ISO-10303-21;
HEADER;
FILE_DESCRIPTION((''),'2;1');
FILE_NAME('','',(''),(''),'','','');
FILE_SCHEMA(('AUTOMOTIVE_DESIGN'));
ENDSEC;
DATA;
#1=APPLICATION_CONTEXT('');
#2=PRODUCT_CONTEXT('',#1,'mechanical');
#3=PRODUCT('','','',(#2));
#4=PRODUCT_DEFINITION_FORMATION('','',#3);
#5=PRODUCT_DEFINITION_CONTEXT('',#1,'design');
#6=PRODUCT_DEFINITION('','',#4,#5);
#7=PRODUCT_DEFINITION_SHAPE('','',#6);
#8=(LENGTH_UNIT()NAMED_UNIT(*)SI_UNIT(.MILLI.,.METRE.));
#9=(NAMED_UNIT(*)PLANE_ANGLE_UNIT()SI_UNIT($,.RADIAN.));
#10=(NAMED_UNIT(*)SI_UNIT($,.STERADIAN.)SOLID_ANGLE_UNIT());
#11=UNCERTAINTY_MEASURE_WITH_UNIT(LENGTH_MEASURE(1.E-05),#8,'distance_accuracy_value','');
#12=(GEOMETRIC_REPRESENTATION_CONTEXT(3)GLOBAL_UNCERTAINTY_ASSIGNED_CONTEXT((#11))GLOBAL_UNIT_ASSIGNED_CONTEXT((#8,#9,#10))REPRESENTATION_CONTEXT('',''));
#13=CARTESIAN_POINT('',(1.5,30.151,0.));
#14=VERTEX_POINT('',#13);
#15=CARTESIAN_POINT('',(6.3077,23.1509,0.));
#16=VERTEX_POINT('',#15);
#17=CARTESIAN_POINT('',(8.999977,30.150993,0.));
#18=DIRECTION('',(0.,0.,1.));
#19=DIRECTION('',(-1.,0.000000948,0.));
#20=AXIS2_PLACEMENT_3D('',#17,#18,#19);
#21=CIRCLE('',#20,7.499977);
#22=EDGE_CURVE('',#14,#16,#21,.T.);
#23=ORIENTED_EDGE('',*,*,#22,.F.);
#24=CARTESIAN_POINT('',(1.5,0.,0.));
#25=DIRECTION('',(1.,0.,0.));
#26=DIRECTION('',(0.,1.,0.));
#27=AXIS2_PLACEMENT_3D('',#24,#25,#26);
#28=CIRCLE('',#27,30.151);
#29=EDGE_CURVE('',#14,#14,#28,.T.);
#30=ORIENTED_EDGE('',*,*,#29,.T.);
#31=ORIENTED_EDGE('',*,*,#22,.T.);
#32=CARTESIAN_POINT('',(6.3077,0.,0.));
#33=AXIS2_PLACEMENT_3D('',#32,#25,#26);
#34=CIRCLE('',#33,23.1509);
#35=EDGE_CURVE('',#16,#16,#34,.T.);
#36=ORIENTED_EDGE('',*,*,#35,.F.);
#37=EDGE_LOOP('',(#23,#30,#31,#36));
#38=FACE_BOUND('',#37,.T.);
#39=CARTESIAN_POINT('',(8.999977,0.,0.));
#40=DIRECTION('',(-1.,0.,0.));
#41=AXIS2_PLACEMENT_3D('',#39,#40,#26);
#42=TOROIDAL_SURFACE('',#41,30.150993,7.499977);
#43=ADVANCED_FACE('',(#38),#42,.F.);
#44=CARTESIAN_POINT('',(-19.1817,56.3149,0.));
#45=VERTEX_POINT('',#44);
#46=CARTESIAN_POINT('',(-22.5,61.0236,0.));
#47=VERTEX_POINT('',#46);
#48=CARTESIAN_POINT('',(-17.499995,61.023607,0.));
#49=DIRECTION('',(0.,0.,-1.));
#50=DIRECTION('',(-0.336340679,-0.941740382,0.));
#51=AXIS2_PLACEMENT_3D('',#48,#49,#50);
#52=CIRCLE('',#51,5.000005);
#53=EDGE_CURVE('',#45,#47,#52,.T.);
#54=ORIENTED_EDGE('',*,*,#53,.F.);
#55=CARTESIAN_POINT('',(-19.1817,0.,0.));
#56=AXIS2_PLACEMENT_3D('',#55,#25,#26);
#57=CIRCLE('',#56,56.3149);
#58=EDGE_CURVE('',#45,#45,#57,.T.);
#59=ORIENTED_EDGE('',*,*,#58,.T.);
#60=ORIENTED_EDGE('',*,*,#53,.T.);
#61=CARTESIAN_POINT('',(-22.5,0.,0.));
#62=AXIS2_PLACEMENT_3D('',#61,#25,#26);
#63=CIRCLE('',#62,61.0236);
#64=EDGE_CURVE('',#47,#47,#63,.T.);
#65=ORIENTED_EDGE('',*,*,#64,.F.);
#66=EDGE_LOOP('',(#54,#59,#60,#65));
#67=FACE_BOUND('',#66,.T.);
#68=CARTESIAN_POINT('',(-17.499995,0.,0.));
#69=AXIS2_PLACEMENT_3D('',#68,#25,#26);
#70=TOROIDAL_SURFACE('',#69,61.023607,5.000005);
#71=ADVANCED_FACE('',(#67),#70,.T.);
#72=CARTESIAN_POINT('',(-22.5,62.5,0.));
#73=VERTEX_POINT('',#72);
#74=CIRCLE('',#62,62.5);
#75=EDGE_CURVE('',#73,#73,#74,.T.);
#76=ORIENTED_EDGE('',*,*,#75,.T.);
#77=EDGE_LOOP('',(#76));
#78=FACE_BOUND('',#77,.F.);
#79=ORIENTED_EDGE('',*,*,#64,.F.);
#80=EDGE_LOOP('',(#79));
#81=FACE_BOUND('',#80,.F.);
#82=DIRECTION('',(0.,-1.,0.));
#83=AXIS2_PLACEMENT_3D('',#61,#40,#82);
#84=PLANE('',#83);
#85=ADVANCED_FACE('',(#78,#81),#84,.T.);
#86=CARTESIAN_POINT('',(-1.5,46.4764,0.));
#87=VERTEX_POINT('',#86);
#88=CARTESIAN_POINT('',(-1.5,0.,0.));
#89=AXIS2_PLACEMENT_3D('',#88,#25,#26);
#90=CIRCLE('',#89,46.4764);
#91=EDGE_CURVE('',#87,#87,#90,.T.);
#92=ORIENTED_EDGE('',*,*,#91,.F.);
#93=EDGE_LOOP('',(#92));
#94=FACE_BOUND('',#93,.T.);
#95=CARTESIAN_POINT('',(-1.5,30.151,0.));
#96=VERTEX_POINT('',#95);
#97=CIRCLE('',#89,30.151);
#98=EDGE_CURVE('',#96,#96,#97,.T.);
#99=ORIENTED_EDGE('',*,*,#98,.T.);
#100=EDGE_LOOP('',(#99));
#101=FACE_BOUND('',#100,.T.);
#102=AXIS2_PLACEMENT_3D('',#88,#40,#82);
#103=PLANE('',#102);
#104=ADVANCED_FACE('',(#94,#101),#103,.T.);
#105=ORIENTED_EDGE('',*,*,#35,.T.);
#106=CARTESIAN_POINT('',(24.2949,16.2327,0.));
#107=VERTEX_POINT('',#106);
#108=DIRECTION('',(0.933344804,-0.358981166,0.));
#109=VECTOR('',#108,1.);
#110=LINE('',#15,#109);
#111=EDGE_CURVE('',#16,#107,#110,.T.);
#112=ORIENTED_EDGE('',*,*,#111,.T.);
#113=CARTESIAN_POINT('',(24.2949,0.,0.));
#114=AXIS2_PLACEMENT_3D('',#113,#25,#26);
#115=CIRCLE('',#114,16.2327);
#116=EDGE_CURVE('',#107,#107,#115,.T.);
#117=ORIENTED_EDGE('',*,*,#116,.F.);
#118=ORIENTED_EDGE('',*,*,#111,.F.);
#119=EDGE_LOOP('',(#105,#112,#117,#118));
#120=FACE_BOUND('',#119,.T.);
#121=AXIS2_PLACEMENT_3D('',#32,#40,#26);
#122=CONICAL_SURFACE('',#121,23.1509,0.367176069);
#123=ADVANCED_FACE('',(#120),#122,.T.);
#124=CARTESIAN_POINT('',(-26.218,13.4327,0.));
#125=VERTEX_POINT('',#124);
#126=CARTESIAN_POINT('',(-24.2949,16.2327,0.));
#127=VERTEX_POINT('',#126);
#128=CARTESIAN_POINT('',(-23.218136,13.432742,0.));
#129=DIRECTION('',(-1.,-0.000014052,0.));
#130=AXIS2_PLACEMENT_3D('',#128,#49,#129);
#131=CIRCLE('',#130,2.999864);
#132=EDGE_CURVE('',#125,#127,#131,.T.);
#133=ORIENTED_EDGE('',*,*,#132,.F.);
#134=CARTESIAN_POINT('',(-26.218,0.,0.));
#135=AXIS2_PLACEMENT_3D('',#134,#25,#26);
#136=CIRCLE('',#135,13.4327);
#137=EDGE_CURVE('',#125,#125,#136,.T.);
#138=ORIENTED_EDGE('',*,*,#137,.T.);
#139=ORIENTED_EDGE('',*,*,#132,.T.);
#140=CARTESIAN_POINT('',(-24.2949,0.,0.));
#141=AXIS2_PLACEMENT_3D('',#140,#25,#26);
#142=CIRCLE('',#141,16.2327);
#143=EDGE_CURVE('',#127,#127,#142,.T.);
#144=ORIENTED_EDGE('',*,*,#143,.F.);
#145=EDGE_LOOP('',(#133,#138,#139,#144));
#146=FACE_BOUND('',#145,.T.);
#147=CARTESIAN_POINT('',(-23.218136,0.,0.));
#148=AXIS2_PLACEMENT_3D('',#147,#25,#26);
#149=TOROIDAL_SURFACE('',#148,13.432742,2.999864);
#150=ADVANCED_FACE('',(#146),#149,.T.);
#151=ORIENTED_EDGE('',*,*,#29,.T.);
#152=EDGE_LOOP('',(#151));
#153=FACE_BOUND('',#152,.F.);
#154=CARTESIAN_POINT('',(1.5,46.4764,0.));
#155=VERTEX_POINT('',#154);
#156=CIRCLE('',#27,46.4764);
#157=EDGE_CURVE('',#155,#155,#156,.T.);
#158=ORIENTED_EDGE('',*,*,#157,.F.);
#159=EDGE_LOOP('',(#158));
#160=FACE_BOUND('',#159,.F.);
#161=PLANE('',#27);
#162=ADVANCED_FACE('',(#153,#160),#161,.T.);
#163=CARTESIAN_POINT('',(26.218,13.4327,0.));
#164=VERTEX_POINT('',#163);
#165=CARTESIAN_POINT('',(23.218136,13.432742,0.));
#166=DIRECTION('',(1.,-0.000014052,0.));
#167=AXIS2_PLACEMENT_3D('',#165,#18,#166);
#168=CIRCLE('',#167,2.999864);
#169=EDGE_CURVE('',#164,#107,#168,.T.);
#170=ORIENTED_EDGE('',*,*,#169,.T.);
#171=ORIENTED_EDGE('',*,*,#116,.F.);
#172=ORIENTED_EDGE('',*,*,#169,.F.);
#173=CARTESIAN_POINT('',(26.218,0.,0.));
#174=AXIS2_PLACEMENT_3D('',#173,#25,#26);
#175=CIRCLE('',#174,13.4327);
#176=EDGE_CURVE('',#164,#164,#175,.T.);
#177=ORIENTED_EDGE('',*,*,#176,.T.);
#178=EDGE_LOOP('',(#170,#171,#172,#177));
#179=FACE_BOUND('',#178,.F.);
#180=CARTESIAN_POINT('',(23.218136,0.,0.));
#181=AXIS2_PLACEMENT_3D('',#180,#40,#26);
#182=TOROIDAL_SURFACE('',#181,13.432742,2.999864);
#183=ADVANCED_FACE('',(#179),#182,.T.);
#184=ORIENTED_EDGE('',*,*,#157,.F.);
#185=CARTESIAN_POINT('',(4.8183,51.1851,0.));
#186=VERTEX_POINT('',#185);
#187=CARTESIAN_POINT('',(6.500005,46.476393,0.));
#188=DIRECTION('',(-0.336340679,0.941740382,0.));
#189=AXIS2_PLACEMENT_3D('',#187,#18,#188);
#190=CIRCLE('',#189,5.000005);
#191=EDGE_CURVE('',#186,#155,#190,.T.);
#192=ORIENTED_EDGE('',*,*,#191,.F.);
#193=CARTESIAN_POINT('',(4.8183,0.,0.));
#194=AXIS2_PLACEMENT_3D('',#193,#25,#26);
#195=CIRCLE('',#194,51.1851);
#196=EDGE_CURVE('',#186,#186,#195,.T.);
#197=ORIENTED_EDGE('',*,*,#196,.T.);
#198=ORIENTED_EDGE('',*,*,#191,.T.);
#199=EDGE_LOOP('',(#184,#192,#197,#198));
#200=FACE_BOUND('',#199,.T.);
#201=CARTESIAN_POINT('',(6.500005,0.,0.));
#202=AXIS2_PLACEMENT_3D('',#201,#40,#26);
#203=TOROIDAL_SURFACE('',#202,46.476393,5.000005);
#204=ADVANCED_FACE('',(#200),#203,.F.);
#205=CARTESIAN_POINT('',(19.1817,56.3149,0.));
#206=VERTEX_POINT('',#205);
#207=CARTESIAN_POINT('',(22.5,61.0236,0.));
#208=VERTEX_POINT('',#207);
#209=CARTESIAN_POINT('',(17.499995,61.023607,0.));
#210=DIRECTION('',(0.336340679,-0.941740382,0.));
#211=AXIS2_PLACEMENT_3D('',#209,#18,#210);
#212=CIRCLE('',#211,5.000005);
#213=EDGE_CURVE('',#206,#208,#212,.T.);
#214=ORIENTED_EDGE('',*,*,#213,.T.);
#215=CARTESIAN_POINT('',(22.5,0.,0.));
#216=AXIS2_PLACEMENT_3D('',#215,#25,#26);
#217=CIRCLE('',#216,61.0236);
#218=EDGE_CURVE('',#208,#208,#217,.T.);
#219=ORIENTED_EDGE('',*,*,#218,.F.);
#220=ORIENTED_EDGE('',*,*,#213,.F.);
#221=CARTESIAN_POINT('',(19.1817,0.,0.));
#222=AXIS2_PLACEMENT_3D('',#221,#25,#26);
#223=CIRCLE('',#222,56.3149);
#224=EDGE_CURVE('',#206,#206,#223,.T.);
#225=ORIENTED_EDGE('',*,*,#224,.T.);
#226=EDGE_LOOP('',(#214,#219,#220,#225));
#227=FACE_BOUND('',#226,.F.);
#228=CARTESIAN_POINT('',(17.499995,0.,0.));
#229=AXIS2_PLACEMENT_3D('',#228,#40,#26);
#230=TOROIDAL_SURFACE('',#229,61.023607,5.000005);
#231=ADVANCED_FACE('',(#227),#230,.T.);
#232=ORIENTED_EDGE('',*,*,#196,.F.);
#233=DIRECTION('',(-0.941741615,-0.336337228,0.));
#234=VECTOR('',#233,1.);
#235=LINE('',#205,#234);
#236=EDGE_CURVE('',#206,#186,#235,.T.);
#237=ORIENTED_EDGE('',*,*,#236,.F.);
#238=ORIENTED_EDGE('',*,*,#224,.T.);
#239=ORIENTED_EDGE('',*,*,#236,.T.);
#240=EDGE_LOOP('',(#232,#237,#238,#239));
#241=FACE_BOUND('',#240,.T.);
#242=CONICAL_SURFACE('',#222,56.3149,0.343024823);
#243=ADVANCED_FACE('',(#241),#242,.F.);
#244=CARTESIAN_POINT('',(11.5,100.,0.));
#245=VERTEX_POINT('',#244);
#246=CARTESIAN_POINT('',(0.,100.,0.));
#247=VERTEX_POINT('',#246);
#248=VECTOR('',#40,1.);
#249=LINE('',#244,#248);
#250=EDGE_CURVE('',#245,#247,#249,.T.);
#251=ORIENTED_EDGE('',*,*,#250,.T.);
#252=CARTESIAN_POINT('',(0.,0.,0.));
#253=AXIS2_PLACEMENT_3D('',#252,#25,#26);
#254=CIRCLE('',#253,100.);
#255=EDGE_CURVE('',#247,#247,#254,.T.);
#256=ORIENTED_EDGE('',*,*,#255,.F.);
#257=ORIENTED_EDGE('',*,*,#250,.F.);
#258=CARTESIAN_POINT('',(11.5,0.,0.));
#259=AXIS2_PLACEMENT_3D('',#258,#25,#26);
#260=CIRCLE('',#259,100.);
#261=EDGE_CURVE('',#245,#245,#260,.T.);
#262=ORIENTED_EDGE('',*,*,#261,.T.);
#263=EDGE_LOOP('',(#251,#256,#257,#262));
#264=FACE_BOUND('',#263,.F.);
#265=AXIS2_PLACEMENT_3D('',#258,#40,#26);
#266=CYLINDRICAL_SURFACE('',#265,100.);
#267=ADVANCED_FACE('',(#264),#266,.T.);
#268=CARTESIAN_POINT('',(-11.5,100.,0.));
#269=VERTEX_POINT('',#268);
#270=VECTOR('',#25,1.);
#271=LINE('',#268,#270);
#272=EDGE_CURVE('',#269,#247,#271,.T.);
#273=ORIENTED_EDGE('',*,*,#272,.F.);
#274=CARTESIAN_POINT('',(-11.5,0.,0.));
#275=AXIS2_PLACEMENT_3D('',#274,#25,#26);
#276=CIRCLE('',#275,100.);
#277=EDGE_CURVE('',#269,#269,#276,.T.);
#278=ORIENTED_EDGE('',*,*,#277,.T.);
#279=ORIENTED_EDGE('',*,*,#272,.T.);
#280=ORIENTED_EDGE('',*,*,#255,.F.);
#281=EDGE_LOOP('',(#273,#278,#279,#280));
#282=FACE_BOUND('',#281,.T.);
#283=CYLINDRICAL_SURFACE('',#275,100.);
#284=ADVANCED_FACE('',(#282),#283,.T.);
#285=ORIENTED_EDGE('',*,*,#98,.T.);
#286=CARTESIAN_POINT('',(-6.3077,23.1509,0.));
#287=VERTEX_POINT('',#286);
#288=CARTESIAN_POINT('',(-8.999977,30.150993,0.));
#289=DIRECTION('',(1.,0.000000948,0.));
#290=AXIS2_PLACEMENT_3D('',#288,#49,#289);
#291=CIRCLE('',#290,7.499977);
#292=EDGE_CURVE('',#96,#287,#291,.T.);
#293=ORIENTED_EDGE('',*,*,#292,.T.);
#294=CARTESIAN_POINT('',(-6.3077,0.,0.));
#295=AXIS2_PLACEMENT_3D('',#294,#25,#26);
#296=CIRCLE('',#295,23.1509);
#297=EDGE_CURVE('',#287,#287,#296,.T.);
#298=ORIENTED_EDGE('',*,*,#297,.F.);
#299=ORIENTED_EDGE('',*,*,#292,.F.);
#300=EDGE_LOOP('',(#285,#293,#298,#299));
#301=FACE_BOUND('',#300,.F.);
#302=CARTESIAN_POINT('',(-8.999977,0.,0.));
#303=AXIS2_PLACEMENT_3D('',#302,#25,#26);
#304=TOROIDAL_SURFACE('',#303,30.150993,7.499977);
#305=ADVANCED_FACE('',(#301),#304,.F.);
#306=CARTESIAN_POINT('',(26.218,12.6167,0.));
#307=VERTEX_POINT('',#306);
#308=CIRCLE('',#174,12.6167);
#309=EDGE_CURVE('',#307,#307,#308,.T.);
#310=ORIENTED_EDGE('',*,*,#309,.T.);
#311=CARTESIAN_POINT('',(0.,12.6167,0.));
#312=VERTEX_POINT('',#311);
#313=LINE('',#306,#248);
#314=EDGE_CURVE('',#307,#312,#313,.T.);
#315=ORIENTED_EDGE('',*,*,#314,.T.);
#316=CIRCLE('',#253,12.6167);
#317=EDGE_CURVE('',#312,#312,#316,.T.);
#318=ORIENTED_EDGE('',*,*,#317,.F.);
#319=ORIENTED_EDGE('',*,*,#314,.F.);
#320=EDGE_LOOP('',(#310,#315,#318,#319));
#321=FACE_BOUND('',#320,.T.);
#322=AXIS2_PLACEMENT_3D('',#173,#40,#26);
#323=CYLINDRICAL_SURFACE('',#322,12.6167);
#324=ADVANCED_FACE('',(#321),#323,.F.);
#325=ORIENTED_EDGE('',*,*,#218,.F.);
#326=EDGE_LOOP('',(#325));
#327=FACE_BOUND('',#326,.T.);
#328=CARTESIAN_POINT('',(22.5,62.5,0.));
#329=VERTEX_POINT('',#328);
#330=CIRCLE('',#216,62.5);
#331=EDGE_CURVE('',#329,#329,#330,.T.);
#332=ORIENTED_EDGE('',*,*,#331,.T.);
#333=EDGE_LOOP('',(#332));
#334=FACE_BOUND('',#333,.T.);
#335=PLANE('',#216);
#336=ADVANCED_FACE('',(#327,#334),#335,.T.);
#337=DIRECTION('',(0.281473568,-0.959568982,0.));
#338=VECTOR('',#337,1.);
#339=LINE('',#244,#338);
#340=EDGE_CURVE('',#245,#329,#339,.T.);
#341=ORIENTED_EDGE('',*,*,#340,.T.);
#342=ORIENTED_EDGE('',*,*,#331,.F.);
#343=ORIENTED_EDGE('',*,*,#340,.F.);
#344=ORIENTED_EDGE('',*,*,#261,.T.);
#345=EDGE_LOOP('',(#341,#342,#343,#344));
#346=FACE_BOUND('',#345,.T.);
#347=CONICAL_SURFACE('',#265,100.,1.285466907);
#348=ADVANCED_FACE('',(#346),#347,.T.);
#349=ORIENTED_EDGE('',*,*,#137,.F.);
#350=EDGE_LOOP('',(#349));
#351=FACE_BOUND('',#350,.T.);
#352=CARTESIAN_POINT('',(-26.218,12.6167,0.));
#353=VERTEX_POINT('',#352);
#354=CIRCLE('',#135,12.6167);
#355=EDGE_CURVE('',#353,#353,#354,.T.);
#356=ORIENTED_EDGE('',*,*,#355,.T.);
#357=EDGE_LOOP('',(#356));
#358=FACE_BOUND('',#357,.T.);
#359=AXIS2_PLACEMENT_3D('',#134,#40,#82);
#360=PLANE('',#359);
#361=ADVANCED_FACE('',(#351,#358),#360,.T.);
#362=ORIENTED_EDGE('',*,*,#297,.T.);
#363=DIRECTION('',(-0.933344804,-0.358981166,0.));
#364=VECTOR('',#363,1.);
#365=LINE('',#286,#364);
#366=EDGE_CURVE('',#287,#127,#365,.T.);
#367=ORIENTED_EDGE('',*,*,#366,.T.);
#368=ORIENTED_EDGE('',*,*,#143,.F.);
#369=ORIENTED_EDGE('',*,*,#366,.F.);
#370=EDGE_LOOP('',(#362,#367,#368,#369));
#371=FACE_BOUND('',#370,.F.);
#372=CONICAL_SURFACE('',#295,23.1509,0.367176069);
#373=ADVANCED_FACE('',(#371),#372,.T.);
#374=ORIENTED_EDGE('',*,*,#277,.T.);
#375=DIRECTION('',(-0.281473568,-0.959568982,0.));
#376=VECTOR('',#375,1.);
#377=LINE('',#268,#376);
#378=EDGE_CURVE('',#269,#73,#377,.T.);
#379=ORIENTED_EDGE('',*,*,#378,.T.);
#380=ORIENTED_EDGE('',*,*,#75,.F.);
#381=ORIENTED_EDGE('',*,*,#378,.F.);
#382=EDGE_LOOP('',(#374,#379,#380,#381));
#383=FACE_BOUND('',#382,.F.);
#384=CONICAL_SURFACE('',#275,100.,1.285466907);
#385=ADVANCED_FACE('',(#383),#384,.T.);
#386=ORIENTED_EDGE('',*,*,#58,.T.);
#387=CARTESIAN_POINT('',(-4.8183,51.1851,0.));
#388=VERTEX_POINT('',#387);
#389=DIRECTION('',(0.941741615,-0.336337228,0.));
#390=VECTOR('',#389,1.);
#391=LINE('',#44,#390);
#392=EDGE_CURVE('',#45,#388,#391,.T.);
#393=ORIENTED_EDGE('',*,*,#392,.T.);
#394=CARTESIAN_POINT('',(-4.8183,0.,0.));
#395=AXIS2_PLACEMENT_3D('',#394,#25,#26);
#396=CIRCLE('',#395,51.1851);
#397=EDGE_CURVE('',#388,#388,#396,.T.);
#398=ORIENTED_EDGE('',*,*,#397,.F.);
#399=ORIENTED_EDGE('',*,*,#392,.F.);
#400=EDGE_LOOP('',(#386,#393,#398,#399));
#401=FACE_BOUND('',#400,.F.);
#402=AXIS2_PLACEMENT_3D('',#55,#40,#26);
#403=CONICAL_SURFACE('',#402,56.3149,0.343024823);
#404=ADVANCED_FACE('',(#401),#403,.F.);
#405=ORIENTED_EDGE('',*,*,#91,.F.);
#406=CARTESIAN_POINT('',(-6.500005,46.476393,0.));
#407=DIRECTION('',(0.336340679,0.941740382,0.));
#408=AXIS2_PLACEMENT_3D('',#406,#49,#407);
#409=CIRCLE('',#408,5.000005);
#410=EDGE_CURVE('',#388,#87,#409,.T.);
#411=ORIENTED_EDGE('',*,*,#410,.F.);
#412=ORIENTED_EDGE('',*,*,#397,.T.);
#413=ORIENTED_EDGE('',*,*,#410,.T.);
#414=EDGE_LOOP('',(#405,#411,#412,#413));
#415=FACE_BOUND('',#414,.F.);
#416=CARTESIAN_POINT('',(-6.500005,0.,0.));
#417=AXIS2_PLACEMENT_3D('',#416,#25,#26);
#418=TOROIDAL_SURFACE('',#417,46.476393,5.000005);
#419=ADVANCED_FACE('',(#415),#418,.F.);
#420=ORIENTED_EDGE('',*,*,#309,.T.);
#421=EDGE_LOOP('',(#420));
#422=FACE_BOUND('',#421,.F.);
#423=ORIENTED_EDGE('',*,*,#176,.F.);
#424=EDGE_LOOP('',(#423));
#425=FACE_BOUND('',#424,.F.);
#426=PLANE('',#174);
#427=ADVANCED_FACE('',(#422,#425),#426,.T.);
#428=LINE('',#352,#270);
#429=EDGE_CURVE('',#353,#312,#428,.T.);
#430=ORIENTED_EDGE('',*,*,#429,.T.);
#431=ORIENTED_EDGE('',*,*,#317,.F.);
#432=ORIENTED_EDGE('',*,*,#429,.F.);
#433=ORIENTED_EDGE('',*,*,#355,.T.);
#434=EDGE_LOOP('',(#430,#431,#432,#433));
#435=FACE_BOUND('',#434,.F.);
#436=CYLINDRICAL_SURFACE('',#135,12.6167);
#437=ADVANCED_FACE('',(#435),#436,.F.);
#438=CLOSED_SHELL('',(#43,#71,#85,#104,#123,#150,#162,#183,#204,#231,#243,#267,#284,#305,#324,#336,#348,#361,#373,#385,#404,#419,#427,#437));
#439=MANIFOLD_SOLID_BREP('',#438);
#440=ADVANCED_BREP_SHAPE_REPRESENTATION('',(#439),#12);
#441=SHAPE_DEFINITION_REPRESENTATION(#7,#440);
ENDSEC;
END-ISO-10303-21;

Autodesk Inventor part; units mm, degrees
ref_plane "YZ Plane" through (0, 0, 0) normal (1, 0, 0) x (0, 1, 0)
ref_plane "XZ Plane" through (0, 0, 0) normal (0, 1, 0) x (-1, 0, 0)
ref_plane "XY Plane" through (0, 0, 0) normal (0, 0, 1) x (1, 0, 0)
sketch "Эскиз1" plane through (0, 0, 0) normal (0, 0, 1) x (1, 0, 0)
  line L0 (0, 2726.5937) -> (0, -5361.0214)
  line L1 (-7862.4009, 0) -> (14463.6017, 0)
  line L2 (11.5, 100) -> (0, 100)
  line L3 (11.5, 100) -> (22.5, 62.5)
  line L4 (22.5, 62.5) -> (22.5, 61.0236)
  line L5 (1.5, 30.151) -> (1.5, 46.4764)
  line L6 (19.1817, 56.3149) -> (4.8183, 51.1851)
  arc A0 (4.8183, 51.1851) -> (1.5, 46.4764) centre (6.5, 46.4764) ccw
  arc A1 (19.1817, 56.3149) -> (22.5, 61.0236) centre (17.5, 61.0236) ccw
  line L7 (26.218, 12.6167) -> (26.218, 13.4327)
  line L8 (6.3077, 23.1509) -> (24.2949, 16.2327)
  line L9 (26.218, 12.6167) -> (-1.282, 12.6167)
  arc A2 (1.5, 30.151) -> (6.3077, 23.1509) centre (9, 30.151) ccw
  arc A3 (26.218, 13.4327) -> (24.2949, 16.2327) centre (23.218, 13.4327) ccw
  point P0 (0, 0)
  point P1 (0, 12.6167)
  dimension "d32" = 7.5
  dimension "d33" = 3
revolve "Вращение3" add sketch "Эскиз1" angle 360 about axis through (-7862.4009, 0, 0) along (1, 0, 0)
mirror "Зеркальное отражение5" about plane through (0, 0, 0) normal (1, 0, 0)
properties part number "Колесо"
